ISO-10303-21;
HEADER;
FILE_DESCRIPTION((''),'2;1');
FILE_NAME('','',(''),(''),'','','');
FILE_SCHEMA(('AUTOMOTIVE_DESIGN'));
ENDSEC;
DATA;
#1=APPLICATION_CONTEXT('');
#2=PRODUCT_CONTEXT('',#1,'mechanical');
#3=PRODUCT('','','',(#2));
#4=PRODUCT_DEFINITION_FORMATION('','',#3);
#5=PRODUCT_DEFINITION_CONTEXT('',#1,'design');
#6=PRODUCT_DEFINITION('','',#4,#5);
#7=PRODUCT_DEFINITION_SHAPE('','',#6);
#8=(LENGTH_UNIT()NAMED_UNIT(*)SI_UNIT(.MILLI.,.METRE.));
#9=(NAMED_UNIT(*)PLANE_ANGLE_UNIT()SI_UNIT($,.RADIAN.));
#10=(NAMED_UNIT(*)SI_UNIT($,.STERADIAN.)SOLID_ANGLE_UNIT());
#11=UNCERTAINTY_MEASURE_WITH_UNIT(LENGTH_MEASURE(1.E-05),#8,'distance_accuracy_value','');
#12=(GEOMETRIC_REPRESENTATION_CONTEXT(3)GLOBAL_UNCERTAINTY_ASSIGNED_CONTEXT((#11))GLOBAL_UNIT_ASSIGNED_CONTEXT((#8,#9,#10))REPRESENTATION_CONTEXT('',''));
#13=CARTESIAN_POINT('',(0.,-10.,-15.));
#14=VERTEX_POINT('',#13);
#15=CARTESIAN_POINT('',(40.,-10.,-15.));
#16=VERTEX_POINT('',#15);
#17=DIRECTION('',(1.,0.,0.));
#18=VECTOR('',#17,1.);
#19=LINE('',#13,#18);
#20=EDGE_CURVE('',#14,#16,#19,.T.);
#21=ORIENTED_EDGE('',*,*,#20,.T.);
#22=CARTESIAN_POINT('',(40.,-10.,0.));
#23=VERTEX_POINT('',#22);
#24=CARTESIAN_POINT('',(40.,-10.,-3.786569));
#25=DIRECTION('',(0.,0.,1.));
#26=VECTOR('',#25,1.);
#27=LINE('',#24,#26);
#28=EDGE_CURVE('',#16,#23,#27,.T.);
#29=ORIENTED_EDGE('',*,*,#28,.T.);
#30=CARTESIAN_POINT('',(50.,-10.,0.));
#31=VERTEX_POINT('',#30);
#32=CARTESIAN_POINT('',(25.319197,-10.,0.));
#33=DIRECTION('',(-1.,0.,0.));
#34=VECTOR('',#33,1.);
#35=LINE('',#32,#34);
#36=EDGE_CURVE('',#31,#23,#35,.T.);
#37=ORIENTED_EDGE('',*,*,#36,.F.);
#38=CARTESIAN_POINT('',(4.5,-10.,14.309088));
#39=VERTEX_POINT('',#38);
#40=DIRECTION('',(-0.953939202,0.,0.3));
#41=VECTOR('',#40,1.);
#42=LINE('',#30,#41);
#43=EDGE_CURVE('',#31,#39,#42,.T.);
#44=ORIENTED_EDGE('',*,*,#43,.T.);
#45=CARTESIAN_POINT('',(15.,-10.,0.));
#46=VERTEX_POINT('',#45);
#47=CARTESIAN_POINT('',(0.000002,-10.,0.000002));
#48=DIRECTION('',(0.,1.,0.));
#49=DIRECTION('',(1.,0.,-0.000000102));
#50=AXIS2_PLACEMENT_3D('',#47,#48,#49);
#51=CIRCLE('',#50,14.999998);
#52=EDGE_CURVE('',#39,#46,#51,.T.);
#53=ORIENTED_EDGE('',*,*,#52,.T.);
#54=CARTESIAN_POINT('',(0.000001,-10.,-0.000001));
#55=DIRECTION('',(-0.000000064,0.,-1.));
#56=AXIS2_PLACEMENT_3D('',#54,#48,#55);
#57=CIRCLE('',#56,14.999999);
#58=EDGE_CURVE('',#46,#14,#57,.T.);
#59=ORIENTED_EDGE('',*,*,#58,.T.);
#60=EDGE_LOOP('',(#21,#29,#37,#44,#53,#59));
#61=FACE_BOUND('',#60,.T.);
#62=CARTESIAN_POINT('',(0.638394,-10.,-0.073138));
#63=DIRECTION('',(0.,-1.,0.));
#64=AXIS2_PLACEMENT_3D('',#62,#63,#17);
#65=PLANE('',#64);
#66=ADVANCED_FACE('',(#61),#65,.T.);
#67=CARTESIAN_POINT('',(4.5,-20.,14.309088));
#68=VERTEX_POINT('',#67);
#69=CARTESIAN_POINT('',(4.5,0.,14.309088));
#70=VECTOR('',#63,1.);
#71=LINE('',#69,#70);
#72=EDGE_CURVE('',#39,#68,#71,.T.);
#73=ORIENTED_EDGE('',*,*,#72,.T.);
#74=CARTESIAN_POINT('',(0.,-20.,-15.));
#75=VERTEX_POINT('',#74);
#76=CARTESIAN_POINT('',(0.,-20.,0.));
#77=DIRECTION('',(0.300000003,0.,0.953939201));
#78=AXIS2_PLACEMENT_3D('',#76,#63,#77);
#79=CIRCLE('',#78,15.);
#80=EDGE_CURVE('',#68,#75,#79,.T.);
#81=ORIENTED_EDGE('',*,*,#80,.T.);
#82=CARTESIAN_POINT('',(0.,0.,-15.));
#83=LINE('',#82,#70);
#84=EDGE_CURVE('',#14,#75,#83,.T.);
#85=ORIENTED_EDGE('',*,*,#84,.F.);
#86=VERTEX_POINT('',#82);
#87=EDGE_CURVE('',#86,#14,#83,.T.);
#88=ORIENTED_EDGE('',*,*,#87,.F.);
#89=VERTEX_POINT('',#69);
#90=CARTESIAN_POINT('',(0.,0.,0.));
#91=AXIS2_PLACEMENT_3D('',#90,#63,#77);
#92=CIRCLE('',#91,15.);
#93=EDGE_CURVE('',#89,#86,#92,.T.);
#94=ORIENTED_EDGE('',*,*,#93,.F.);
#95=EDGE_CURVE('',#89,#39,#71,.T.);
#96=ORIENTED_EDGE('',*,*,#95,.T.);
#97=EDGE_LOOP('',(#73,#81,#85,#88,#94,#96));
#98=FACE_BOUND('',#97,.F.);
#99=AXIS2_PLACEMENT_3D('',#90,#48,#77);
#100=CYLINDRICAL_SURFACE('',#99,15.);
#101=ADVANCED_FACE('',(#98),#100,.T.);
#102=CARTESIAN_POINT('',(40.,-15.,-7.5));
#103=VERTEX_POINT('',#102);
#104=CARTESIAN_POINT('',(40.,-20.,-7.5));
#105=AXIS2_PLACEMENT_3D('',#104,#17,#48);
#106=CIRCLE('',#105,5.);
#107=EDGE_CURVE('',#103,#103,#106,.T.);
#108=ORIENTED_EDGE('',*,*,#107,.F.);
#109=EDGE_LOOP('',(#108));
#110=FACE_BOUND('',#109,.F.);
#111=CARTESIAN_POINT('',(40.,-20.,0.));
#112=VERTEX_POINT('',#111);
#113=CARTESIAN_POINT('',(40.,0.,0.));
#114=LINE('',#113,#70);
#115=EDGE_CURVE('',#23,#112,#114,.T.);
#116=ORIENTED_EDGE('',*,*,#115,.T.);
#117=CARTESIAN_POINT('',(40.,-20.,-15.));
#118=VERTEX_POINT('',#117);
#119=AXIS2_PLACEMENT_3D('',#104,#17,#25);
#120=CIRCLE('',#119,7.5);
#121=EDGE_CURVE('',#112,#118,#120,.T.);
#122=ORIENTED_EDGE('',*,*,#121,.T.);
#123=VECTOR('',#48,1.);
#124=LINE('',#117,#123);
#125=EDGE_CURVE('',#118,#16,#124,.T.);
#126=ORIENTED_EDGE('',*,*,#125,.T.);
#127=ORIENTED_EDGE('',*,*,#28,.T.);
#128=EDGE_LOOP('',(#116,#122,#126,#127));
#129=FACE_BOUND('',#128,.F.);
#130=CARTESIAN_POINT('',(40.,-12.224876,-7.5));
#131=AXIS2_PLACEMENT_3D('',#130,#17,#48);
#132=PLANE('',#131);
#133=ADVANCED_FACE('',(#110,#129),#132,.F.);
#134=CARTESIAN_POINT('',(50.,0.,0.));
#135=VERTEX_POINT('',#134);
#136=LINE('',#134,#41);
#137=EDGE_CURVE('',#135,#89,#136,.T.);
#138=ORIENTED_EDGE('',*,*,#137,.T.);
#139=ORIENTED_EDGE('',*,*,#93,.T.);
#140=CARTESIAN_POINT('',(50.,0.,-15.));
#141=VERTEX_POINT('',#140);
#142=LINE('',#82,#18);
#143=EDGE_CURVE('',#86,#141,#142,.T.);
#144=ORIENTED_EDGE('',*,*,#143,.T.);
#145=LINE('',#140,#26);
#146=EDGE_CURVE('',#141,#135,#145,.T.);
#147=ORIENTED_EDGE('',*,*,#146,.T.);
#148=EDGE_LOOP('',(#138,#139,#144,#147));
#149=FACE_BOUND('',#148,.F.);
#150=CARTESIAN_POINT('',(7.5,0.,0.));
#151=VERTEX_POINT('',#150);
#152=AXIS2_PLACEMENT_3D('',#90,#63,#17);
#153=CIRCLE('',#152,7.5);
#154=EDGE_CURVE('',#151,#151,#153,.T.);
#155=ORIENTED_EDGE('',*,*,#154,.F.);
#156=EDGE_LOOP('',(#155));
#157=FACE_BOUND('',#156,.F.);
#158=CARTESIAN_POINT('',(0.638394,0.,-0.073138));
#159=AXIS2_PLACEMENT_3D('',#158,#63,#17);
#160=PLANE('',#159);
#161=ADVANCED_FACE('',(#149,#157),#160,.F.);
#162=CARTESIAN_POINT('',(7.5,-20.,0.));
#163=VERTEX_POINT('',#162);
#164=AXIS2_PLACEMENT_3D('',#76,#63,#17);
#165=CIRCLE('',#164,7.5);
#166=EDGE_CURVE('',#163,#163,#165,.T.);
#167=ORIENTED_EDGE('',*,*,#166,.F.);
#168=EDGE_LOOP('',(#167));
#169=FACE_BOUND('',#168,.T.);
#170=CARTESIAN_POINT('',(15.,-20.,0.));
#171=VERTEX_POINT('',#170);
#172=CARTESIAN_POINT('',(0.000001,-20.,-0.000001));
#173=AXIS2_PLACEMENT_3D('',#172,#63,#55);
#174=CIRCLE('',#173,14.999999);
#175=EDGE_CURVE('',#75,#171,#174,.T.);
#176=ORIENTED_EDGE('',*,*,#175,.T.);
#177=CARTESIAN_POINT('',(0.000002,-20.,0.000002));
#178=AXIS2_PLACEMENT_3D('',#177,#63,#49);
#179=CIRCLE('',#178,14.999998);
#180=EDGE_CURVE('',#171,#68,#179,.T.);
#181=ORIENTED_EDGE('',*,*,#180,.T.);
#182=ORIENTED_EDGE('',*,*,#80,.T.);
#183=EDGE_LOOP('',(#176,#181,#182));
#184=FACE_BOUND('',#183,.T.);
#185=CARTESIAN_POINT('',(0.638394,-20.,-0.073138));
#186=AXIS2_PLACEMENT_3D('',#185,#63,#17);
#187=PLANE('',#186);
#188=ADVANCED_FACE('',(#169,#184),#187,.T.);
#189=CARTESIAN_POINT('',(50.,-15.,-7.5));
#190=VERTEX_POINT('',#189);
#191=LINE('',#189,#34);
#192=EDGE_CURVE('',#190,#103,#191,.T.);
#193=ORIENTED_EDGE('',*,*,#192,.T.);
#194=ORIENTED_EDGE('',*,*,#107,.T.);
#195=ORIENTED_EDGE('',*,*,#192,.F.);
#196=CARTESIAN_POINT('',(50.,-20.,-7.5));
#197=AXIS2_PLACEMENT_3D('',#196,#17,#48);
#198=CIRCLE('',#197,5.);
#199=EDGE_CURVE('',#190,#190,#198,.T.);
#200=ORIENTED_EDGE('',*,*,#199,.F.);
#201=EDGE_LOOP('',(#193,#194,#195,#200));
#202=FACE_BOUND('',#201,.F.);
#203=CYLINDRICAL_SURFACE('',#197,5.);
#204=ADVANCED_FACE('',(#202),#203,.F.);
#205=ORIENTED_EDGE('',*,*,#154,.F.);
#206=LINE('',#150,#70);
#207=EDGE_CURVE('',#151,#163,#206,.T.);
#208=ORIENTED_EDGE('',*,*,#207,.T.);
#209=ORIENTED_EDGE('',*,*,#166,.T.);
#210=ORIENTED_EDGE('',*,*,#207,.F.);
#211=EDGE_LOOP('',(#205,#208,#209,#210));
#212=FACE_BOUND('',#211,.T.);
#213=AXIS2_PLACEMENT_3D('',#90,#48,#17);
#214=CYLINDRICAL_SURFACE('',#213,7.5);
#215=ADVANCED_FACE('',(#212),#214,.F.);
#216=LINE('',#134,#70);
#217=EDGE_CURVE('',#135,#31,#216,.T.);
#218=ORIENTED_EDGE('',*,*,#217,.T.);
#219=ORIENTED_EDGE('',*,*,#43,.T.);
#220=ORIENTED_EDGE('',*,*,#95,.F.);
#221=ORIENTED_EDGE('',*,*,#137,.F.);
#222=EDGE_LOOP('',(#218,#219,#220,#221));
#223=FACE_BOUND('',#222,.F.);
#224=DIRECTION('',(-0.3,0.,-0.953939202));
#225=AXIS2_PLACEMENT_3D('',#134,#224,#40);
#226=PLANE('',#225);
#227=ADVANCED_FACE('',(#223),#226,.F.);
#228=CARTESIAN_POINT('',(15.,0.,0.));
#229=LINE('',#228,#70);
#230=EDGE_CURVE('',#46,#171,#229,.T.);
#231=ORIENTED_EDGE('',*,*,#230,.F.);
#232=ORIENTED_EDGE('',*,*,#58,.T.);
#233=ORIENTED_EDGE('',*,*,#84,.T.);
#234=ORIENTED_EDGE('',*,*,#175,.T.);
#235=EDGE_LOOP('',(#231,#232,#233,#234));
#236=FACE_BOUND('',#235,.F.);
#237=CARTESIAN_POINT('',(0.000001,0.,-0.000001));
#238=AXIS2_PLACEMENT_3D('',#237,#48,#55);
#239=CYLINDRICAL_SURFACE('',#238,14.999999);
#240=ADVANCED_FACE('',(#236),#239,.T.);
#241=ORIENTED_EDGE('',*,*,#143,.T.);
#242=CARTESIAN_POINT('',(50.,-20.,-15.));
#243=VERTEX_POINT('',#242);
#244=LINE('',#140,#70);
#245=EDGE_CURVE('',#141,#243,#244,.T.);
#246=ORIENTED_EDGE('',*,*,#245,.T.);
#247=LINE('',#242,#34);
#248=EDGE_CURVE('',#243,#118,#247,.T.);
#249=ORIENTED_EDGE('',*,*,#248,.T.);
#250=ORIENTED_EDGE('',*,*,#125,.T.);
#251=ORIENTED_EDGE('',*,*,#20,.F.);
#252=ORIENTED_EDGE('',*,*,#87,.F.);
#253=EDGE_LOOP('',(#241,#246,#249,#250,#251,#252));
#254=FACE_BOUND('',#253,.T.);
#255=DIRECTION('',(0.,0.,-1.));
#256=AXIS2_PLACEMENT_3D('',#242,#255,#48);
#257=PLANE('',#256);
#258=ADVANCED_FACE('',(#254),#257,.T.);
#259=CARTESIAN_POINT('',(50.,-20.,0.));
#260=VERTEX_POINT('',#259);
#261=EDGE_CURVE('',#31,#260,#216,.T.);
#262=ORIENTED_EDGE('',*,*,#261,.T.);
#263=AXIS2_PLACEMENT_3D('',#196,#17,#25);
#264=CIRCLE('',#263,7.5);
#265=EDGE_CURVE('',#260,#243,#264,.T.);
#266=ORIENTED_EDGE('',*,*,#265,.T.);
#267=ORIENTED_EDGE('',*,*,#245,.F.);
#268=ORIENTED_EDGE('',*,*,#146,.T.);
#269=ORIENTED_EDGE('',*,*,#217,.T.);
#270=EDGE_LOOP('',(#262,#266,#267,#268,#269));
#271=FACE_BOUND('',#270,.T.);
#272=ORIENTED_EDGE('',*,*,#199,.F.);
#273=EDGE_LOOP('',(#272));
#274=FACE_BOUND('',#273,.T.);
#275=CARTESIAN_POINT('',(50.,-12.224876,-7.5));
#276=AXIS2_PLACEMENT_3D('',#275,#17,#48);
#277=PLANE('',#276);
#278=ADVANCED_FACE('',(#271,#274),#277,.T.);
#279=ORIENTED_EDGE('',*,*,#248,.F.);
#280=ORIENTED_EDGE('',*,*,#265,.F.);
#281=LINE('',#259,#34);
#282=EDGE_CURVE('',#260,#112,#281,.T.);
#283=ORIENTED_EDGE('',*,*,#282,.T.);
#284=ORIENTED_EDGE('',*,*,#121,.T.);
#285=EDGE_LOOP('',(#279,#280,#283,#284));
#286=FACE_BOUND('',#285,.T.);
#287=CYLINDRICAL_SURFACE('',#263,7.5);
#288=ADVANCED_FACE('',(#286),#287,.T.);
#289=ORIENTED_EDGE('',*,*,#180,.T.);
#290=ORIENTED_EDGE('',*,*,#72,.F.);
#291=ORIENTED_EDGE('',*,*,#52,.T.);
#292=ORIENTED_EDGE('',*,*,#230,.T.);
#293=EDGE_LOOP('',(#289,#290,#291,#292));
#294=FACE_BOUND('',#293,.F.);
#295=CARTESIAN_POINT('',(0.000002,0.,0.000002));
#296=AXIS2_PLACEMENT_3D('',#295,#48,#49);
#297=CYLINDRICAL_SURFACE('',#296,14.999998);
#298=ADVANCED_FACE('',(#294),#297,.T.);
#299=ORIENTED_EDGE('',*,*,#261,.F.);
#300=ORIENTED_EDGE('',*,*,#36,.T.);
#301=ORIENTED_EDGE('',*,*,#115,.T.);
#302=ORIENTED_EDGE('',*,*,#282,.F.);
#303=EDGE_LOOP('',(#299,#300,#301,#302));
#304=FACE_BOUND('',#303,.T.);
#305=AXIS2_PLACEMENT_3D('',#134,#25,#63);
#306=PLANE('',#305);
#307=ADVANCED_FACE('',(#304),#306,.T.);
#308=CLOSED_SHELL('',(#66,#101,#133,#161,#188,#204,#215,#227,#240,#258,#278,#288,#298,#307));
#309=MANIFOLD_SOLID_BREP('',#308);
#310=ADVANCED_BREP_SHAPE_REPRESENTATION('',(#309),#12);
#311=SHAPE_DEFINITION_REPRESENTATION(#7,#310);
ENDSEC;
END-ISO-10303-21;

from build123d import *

# Parameters (mm, degrees)
F0_R     = 7.5
F1_DEPTH = 10
F2_DEPTH = 20
F3_R     = 5
F4_DEPTH = 10


with BuildPart() as f1:
    # F0 (on Front) → F1 (new body)
    with BuildSketch(Plane.XZ):
        with BuildLine():
            ThreePointArc((0, -15), (10.606602, -10.606602), (15, 0))
            ThreePointArc((15, 0), (12.093387, 8.87412), (4.5, 14.309088))
            ThreePointArc((4.5, 14.309088), (-14.826266, 2.276365), (0, -15))
        make_face()
        Circle(F0_R, mode=Mode.SUBTRACT)
        with BuildLine():
            ThreePointArc((4.5, 14.309088), (12.093387, 8.87412), (15, 0))
            ThreePointArc((15, 0), (10.606602, -10.606602), (0, -15))
            Line((0, -15), (50, -15))
            Line((50, -15), (50, 0))
            Line((50, 0), (4.5, 14.309088))
        make_face()
    extrude(amount=F1_DEPTH)

    # F0 (on Front) → F2 (join)
    with BuildSketch(Plane.XZ):
        with BuildLine():
            ThreePointArc((0, -15), (10.606602, -10.606602), (15, 0))
            ThreePointArc((15, 0), (12.093387, 8.87412), (4.5, 14.309088))
            ThreePointArc((4.5, 14.309088), (-14.826266, 2.276365), (0, -15))
        make_face()
        Circle(F0_R, mode=Mode.SUBTRACT)
    extrude(amount=F2_DEPTH)

    # F3 (on face) → F4 (join)
    with BuildSketch(Plane.YZ.offset(50)):
        with BuildLine():
            Line((-20, -15), (0, -15))
            Line((0, -15), (0, 0))
            Line((0, 0), (-20, 0))
            ThreePointArc((-20, 0), (-27.5, -7.5), (-20, -15))
        make_face()
        with Locations((-20, -7.5)):
            Circle(F3_R, mode=Mode.SUBTRACT)
    extrude(amount=-F4_DEPTH)


solid = f1.part
